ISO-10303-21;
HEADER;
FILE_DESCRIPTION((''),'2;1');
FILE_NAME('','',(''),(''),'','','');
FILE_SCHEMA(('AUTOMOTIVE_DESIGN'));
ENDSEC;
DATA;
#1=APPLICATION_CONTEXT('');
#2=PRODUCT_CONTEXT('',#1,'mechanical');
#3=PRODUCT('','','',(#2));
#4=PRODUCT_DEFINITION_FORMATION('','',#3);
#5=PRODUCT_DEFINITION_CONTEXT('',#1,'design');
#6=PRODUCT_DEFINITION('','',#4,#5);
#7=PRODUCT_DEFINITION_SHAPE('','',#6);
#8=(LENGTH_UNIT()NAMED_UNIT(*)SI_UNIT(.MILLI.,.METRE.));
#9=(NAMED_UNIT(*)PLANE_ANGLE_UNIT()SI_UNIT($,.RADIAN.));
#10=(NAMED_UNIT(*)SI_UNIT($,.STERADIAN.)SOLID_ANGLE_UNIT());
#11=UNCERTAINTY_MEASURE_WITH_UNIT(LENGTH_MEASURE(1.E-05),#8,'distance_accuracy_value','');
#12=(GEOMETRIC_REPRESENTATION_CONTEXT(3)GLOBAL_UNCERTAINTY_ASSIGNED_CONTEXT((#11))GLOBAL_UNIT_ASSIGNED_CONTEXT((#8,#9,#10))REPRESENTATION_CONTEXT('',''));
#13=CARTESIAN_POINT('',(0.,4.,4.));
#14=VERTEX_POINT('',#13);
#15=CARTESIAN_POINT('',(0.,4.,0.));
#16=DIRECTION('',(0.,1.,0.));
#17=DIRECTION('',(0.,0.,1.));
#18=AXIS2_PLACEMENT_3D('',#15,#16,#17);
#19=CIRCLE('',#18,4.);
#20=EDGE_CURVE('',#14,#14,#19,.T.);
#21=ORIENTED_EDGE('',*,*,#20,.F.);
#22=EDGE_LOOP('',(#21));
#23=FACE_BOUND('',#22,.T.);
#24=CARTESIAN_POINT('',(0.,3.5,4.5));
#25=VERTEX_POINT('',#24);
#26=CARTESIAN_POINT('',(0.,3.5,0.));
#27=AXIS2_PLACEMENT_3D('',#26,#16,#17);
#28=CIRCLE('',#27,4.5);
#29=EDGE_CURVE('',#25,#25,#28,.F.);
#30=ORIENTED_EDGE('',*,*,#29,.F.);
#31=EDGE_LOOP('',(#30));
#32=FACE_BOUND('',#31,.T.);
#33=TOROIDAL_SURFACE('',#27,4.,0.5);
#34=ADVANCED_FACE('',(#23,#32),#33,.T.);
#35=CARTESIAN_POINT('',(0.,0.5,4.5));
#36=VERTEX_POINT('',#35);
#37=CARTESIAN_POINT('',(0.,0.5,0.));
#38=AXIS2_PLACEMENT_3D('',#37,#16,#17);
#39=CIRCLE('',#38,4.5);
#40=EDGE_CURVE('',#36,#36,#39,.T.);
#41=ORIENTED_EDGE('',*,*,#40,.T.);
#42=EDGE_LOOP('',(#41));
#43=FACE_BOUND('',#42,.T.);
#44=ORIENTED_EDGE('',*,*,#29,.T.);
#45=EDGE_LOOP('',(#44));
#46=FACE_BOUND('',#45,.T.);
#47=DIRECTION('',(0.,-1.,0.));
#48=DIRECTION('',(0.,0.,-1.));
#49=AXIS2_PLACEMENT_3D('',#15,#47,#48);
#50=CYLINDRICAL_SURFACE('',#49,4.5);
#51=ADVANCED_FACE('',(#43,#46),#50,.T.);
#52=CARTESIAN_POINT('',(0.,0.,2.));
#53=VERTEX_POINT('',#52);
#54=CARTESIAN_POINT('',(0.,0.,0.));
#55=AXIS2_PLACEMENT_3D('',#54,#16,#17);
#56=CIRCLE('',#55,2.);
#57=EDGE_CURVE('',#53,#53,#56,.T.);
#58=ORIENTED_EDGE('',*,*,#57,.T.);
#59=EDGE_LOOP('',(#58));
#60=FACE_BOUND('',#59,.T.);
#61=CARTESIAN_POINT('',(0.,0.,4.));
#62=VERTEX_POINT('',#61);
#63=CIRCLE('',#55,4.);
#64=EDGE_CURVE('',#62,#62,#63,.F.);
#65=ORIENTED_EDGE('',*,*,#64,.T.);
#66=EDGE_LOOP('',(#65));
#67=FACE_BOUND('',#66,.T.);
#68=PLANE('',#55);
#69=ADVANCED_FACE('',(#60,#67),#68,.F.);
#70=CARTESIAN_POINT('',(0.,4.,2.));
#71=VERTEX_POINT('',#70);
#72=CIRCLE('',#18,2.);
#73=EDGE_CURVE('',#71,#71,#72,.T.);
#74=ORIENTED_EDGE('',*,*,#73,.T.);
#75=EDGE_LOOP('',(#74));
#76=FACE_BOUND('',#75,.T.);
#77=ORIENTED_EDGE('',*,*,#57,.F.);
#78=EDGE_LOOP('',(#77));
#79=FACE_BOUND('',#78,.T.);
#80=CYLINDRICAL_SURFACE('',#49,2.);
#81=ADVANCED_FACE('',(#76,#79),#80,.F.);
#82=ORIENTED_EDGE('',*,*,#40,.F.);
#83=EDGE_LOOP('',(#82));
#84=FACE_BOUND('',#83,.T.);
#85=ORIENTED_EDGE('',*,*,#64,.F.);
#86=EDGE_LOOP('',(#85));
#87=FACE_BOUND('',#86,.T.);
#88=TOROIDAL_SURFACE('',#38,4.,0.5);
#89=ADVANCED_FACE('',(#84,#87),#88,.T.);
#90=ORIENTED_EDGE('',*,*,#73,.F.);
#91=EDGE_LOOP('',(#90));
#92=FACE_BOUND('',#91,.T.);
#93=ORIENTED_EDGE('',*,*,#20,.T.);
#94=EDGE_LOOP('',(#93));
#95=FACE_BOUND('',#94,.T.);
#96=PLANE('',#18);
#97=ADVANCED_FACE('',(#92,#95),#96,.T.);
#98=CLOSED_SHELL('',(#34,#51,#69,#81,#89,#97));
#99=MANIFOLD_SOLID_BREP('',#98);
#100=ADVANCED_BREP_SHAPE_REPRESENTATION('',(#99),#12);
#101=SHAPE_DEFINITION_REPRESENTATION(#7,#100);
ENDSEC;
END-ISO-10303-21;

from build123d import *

# Parameters (mm, degrees)
SKETCH1_R           = 4.5
SKETCH1_R_2         = 2
BOSS_EXTRUDE1_DEPTH = 4
FILLET1_R           = 0.5


with BuildPart() as part:
    # Sketch1 → Boss-Extrude1 (new body)
    with BuildSketch(Plane(origin=(0, 0, 0), x_dir=(1, 0, 0), z_dir=(0, 1, 0))):
        Circle(SKETCH1_R)
        Circle(SKETCH1_R_2, mode=Mode.SUBTRACT)
    extrude(amount=BOSS_EXTRUDE1_DEPTH)

    # Fillet1
    fillet1_edges = [part.edges().sort_by_distance(p)[0] for p in [
        (-4.5, 0, 0),
        (-4.5, 4, 0),
    ]]
    fillet(fillet1_edges, radius=FILLET1_R)


solid = part.part
